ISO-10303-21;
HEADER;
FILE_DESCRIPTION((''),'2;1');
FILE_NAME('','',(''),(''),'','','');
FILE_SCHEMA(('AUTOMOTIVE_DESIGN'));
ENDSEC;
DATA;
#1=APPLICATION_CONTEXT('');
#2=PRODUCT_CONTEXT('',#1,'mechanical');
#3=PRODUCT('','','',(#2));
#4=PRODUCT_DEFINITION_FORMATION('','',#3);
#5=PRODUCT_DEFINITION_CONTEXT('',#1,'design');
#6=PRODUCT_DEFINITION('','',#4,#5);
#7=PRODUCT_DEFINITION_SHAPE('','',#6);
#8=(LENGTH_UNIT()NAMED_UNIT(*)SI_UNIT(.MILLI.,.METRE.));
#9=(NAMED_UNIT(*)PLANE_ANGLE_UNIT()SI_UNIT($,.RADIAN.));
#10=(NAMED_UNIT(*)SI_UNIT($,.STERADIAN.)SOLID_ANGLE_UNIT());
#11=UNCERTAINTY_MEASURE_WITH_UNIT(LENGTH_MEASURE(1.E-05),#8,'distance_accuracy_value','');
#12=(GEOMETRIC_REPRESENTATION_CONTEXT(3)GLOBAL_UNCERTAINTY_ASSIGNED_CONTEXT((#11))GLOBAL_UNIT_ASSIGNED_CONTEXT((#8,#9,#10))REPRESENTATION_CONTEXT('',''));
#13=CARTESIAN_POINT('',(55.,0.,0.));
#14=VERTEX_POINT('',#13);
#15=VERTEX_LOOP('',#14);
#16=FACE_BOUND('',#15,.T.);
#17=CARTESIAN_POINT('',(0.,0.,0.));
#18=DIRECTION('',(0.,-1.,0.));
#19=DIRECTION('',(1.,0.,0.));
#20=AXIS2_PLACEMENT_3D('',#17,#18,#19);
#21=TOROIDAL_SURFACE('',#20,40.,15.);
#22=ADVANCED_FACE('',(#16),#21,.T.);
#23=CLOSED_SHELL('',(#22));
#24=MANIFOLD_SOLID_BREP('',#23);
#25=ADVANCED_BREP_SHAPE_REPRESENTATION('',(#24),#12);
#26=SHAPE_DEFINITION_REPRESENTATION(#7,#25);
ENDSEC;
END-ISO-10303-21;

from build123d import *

# Parameters (mm, degrees)
SKETCH_1_R = 15


with BuildPart() as part:
    # 草图1 → 旋转1 (revolve)
    with BuildSketch(Plane.XY, mode=Mode.PRIVATE) as revolve_1_sk:
        with Locations((-40, 0)):
            Circle(SKETCH_1_R)
    revolve(revolve_1_sk.sketch.rotate(Axis((0, -27.111337062, 0), (0, 1, 0)), 180), axis=Axis((0, -27.111337062, 0), (0, 1, 0)))


solid = part.part
